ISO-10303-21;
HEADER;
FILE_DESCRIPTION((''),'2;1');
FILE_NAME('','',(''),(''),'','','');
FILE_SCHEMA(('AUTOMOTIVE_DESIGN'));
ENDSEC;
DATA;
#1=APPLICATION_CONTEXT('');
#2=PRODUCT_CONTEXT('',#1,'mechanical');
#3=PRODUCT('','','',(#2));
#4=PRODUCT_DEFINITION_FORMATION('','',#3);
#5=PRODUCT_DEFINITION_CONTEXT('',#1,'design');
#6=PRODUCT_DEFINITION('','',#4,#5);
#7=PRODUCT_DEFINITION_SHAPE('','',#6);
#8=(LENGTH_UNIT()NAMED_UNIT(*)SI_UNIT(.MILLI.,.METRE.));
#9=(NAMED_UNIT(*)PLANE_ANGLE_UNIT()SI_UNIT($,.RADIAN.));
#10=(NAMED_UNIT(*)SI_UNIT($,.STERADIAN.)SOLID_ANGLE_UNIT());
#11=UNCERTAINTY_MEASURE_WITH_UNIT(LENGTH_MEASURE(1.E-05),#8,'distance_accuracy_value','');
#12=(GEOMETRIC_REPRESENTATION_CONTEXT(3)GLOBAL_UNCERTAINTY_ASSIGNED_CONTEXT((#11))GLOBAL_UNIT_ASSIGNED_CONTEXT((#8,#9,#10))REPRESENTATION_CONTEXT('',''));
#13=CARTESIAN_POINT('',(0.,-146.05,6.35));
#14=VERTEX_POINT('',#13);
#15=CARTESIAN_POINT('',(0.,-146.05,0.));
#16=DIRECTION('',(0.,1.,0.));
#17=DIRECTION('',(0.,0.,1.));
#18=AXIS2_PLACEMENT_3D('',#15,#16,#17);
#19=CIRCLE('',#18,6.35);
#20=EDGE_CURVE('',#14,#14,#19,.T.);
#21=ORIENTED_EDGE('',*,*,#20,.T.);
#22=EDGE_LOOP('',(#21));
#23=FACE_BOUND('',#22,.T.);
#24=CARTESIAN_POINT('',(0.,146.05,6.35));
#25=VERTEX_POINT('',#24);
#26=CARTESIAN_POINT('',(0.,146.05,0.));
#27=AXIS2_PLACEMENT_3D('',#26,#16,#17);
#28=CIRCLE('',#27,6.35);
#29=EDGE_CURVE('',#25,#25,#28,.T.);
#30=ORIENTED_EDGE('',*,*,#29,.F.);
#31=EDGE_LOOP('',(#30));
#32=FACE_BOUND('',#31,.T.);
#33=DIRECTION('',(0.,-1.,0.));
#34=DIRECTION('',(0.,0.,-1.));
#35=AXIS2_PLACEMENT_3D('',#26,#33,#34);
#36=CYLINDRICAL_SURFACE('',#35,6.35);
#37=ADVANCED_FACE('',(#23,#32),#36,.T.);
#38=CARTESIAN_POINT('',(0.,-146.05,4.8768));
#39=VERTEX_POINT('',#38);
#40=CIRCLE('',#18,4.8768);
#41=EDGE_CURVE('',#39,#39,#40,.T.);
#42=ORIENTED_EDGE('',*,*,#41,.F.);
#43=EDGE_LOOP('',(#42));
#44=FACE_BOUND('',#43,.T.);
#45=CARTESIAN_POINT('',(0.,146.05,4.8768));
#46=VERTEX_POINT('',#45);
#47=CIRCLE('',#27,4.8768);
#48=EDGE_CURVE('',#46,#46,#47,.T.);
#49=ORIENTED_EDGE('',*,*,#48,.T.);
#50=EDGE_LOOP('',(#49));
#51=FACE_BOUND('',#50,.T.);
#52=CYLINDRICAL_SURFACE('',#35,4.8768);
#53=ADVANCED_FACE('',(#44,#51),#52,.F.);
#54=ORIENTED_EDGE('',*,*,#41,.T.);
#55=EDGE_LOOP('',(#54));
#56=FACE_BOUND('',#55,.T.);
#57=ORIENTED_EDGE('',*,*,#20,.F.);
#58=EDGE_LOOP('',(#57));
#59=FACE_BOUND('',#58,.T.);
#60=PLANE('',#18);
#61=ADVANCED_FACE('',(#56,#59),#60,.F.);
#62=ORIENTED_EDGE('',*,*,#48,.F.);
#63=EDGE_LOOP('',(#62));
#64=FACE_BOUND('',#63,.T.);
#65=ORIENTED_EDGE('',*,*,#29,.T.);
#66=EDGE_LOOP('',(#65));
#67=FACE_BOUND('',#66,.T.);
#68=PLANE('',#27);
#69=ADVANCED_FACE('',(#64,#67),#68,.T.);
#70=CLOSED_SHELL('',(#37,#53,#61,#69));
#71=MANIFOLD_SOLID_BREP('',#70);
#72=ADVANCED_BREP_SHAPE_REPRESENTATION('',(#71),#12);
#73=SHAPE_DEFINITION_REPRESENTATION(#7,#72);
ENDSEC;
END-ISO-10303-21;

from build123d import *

# Parameters (mm, degrees)
SKETCH1_R           = 6.35
SKETCH1_R_2         = 4.8768
BOSS_EXTRUDE1_DEPTH = 146.05


with BuildPart() as part:
    # Sketch1 → Boss-Extrude1 (new, symmetric)
    with BuildSketch(Plane(origin=(0, 0, 0), x_dir=(1, 0, 0), z_dir=(0, 1, 0))):
        with Locations(Location((0, 0, 0), (0, 0, 270))):
            Circle(SKETCH1_R)
        with Locations(Location((0, 0, 0), (0, 0, 270))):
            Circle(SKETCH1_R_2, mode=Mode.SUBTRACT)
    extrude(amount=BOSS_EXTRUDE1_DEPTH, both=True)


solid = part.part
